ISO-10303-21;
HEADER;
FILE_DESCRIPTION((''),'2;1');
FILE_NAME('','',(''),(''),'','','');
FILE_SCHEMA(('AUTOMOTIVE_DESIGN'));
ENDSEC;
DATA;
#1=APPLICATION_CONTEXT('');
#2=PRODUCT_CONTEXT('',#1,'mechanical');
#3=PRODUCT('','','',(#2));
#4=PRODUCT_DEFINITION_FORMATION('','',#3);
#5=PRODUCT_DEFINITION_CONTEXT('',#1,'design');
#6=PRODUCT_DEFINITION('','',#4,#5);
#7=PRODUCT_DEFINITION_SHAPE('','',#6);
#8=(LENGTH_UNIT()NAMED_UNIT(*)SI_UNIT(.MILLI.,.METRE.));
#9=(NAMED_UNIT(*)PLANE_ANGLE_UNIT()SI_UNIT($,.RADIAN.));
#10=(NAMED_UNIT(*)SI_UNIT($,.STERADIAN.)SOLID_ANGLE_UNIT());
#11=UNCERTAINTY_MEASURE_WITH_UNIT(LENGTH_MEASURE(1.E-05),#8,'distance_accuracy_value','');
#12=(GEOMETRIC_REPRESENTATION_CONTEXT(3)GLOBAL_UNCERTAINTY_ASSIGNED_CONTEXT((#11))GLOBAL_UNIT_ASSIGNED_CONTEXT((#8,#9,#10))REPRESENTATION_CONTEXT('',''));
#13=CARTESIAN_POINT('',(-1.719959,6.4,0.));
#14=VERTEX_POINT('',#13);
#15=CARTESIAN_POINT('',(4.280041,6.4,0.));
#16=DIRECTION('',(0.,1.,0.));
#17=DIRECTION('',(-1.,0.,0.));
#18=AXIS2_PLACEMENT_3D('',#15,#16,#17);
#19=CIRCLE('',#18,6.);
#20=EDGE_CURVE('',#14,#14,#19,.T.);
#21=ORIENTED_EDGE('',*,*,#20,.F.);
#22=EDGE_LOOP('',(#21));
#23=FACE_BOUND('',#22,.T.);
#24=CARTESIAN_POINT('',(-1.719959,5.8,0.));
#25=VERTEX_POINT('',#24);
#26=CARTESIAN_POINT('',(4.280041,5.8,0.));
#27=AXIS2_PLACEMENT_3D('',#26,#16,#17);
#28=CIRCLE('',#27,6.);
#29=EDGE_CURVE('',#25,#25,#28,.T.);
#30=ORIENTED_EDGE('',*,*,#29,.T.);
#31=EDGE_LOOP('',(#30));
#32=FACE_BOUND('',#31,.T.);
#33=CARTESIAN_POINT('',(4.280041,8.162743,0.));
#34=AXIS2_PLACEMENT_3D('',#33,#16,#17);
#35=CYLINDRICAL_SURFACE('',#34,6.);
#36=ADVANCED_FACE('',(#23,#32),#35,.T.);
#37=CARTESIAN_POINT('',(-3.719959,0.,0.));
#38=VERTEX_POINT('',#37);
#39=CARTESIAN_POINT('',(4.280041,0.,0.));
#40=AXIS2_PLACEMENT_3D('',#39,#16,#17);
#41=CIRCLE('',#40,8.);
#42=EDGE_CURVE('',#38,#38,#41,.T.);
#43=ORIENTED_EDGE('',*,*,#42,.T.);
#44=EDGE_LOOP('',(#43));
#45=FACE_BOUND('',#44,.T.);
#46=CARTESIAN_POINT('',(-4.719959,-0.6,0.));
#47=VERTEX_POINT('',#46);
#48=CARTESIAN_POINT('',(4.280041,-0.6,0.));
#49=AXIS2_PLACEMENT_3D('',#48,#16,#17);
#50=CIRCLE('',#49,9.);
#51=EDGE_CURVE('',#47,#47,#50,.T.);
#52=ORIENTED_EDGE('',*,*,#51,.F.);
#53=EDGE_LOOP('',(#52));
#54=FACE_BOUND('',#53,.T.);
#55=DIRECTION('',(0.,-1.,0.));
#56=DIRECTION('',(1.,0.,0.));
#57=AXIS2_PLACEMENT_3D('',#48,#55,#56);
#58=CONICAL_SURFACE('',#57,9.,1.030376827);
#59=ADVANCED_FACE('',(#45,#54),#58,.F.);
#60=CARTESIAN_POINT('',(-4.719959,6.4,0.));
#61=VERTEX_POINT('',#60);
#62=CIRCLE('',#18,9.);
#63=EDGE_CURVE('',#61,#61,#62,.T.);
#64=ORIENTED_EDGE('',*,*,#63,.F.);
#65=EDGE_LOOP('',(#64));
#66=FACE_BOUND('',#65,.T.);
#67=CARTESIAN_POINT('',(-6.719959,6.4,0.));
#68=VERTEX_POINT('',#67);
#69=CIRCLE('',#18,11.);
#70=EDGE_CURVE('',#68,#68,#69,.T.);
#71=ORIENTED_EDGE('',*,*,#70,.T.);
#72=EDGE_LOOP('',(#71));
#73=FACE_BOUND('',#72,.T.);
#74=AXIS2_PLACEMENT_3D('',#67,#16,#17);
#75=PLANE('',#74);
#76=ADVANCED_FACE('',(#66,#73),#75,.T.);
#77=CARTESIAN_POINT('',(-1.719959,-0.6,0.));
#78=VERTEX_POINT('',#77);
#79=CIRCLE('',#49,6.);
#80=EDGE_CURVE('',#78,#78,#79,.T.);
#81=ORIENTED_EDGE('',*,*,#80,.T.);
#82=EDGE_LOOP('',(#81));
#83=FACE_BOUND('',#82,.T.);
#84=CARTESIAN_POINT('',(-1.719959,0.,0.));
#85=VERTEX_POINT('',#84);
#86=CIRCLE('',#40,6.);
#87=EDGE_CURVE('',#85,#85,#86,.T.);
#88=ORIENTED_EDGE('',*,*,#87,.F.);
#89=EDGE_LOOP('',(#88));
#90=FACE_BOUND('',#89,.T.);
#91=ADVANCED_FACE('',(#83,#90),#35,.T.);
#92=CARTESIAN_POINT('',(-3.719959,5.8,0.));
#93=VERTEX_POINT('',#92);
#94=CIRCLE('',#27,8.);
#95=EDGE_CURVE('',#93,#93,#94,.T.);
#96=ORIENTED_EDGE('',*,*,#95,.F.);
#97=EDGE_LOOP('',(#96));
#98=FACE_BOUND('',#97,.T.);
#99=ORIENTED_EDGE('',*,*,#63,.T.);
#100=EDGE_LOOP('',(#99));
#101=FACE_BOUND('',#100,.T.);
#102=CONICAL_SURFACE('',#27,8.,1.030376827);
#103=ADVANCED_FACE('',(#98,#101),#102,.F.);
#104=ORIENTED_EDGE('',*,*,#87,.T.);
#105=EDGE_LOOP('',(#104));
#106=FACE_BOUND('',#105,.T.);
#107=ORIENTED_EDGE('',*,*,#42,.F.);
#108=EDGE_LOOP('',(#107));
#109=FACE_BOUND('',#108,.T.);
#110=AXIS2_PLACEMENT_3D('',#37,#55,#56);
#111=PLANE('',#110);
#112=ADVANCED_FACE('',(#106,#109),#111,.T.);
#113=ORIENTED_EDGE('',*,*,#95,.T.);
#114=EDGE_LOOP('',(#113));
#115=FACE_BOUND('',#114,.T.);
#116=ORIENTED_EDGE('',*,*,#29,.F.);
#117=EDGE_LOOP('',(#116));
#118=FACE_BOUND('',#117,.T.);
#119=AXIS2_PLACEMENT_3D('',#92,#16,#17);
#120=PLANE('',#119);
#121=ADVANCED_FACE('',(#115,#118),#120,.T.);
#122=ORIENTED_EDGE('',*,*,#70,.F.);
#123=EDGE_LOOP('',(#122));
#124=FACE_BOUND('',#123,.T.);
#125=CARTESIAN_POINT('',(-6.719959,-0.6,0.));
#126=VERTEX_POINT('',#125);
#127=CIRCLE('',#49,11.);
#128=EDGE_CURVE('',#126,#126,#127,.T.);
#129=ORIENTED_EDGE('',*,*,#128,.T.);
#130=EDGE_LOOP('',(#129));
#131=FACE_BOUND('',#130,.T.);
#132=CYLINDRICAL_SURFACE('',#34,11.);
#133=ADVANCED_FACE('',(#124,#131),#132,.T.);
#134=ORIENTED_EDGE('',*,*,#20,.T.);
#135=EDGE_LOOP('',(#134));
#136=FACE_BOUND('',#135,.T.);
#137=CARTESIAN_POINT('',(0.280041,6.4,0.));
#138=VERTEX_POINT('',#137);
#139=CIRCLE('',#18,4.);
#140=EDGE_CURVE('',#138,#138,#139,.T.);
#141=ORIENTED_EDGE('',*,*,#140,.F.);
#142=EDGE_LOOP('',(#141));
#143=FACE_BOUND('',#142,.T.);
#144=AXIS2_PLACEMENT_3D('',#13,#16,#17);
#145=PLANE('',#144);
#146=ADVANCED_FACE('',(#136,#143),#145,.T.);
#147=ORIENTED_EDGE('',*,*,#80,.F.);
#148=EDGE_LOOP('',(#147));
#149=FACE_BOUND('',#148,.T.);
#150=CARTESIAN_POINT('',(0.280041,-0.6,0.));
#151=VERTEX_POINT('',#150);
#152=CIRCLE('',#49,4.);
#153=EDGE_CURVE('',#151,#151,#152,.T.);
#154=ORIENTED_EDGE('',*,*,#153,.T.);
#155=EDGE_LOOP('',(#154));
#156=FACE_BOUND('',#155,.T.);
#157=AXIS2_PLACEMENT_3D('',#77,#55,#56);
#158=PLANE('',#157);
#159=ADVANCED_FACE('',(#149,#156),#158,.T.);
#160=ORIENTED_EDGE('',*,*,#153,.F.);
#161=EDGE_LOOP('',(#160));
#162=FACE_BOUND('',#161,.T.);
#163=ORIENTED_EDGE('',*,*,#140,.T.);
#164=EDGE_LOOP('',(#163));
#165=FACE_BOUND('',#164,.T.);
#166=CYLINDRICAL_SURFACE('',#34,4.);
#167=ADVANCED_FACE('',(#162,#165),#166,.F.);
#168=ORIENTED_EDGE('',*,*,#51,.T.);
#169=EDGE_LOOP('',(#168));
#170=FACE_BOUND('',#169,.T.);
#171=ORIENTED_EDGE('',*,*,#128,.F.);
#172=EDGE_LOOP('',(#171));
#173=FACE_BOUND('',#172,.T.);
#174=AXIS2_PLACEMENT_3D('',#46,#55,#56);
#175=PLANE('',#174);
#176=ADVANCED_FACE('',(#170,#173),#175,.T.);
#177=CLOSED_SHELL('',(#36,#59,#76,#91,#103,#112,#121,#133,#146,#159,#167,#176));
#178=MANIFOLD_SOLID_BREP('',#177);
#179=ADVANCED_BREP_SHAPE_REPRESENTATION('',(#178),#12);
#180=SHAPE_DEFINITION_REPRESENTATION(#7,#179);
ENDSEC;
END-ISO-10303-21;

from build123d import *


with BuildPart() as part:
    # Çizim1 → Döndür1 (revolve)
    with BuildSketch(Plane.XY):
        Polygon((-3.719958812, 0), (-4.719958812, -0.6), (-6.719958812, -0.6), (-6.719958812, 6.4), (-4.719958812, 6.4), (-3.719958812, 5.8), (-1.719958812, 5.8), (-1.719958812, 6.4), (0.280041188, 6.4), (0.280041188, -0.6), (-1.719958812, -0.6), (-1.719958812, 0), align=None)
    revolve(axis=Axis((4.280041188, 8.162742968, 0), (0, -1, 0)))


solid = part.part
